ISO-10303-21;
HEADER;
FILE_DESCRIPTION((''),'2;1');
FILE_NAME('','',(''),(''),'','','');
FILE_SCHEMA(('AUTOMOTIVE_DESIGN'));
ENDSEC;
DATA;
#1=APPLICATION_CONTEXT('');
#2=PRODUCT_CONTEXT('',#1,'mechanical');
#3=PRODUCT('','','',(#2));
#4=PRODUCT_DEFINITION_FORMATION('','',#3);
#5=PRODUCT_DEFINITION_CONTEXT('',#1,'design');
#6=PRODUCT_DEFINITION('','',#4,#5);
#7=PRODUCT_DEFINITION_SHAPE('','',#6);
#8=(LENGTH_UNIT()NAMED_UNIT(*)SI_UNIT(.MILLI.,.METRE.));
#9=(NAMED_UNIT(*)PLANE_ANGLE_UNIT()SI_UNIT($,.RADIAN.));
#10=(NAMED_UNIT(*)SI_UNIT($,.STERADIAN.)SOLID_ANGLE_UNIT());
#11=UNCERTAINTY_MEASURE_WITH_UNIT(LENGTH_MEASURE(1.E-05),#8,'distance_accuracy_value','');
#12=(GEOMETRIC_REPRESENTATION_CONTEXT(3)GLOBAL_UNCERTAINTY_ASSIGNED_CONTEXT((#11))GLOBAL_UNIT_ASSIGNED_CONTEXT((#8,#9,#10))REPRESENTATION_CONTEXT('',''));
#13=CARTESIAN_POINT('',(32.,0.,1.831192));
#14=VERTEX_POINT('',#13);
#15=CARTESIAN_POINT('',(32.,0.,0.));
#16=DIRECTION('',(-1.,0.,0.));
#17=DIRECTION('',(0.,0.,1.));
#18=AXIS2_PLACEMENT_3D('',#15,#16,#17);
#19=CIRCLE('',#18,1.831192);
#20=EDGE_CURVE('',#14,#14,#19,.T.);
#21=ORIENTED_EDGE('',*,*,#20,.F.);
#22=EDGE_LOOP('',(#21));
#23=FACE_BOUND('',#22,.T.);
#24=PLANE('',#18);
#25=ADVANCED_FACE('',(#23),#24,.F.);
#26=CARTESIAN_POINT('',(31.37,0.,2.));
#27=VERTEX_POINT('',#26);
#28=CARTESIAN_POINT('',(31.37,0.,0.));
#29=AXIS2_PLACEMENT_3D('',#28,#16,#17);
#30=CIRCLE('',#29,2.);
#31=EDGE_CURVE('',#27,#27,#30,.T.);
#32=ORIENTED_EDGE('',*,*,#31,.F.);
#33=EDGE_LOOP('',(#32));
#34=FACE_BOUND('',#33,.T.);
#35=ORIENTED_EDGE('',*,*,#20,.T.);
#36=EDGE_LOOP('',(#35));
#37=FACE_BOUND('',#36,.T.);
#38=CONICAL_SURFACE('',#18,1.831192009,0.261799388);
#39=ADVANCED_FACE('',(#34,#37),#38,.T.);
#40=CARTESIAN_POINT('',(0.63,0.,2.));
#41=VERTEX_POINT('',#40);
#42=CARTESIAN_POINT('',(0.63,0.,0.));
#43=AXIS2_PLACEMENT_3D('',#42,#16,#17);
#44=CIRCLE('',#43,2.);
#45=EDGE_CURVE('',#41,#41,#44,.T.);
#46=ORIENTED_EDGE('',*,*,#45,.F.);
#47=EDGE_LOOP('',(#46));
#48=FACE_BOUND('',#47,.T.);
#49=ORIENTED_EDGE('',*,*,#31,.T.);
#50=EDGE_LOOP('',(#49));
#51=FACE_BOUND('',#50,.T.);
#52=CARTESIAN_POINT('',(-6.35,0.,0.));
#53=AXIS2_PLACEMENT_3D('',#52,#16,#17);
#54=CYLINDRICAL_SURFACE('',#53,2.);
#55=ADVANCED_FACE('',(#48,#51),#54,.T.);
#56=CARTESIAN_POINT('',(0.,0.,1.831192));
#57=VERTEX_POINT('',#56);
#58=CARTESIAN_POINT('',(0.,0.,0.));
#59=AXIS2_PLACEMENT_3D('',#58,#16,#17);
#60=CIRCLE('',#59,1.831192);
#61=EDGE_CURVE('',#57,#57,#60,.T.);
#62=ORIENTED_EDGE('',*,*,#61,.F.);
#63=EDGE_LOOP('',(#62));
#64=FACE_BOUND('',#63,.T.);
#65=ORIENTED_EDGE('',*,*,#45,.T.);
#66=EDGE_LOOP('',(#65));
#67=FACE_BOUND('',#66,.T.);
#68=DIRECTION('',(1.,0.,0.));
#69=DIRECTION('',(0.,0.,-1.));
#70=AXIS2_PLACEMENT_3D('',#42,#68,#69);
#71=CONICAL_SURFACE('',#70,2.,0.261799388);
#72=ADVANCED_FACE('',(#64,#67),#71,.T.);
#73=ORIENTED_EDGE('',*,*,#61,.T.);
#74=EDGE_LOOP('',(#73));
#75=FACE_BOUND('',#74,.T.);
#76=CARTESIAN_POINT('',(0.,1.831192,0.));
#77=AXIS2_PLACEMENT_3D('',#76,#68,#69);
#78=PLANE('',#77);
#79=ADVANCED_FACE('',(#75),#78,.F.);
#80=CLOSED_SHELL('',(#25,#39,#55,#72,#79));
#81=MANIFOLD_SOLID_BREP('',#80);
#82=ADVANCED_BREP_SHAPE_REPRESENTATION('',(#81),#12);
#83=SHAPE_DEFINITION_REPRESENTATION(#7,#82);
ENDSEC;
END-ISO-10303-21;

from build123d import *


with BuildPart() as part:
    # Sketch1 → Base-Revolve (revolve)
    with BuildSketch(Plane.XY):
        Polygon((0, 0), (32, 0), (32, 1.831192009), (31.37, 2), (0.63, 2), (0, 1.831192009), align=None)
    revolve(axis=Axis((-6.35, 0, 0), (1, 0, 0)))


solid = part.part
